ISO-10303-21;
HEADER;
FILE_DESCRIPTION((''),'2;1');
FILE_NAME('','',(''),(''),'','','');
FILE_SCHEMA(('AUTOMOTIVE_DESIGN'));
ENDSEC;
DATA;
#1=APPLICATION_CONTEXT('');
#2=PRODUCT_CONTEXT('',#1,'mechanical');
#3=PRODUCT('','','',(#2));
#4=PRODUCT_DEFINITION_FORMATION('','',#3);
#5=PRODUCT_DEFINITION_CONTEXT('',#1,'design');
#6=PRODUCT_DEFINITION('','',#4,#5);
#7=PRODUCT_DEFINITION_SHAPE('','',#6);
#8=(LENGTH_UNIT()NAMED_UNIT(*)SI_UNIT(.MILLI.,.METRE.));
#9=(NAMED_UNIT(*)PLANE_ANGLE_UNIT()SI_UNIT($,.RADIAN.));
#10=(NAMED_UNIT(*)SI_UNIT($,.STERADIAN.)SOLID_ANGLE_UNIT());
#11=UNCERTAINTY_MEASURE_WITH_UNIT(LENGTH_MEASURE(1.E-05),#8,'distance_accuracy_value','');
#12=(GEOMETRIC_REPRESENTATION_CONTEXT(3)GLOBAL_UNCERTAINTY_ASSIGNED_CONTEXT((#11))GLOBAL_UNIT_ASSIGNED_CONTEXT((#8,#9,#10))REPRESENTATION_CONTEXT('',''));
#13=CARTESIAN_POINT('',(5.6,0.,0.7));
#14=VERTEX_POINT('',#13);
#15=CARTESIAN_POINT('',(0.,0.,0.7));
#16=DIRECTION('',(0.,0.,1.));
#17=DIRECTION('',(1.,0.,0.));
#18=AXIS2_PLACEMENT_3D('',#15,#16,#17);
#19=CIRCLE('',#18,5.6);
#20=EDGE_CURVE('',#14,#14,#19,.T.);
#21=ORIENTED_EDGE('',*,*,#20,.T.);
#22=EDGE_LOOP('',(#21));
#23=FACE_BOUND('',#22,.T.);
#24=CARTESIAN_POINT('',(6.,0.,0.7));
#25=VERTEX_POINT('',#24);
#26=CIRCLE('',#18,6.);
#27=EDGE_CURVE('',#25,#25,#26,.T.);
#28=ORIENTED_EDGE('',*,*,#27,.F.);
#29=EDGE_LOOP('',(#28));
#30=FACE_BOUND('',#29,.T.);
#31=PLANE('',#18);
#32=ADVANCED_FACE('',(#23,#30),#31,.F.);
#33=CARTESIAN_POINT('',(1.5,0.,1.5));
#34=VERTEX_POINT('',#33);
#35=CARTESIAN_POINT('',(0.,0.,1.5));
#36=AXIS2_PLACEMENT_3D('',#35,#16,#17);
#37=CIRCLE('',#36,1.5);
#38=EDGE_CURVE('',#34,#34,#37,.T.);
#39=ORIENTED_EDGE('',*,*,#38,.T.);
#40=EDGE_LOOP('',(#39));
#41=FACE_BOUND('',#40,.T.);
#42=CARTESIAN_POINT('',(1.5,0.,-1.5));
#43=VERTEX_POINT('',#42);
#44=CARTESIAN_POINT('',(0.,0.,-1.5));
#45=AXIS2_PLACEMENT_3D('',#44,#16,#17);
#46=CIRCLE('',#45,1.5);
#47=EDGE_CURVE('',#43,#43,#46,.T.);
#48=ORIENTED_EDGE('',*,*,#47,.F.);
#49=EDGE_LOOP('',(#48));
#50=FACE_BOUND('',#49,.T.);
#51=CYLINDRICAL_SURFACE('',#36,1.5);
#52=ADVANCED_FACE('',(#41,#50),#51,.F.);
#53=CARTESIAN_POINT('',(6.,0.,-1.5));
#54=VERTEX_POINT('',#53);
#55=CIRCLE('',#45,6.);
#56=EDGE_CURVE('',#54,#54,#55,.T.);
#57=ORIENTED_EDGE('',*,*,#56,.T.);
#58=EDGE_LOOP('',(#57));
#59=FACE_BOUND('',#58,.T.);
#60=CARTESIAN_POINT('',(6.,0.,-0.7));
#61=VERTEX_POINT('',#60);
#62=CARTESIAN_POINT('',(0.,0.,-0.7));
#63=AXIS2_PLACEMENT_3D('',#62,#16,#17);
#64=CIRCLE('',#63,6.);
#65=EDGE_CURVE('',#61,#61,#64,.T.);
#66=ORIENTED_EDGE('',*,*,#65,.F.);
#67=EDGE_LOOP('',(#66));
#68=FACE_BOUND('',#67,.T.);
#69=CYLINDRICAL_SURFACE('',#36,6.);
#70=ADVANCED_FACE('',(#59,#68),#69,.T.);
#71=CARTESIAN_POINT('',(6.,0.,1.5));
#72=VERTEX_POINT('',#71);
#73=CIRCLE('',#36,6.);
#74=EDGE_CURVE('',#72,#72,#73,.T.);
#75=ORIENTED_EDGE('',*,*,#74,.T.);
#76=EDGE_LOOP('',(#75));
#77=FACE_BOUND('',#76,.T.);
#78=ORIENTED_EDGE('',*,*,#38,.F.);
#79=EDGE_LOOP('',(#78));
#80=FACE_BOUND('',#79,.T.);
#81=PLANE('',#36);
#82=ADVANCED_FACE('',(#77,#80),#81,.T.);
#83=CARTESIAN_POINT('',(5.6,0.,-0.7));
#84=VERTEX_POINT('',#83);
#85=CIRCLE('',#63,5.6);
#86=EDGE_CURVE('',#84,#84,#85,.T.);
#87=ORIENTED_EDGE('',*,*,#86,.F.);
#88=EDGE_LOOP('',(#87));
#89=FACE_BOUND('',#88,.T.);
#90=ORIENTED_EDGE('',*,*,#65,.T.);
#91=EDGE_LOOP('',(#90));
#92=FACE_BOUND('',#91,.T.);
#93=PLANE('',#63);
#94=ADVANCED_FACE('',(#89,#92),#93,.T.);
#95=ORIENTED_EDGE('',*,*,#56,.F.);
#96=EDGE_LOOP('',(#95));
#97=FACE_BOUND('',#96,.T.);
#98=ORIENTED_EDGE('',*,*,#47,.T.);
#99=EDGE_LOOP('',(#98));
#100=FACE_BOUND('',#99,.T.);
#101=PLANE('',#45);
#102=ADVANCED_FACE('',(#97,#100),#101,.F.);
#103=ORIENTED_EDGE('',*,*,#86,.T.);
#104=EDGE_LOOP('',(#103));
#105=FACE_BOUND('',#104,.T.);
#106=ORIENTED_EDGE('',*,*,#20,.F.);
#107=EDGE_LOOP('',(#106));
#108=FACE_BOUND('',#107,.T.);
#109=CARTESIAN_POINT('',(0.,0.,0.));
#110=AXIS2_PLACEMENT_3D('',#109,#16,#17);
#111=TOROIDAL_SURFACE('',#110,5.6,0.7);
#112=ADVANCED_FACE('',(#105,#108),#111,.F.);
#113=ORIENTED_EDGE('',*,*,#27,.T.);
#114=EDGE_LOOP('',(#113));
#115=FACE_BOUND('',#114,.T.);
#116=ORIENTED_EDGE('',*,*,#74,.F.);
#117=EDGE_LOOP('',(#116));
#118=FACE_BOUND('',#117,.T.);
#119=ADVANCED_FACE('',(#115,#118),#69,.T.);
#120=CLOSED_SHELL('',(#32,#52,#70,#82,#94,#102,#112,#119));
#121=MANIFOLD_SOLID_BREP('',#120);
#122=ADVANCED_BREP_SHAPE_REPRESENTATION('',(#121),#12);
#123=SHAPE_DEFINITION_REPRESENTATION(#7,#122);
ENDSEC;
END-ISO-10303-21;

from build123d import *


with BuildPart() as part:
    # Sketch1 → Revolve1 (revolve)
    with BuildSketch(Plane(origin=(0, 0, 0), x_dir=(0, 0, -1), z_dir=(1, 0, 0)), mode=Mode.PRIVATE) as revolve1_sk:
        with BuildLine():
            ThreePointArc((0.7, 5.6), (0, 4.9), (-0.7, 5.6))
            Line((-0.7, 5.6), (-0.7, 6))
            Line((-0.7, 6), (-1.5, 6))
            Line((-1.5, 6), (-1.5, 1.5))
            Line((-1.5, 1.5), (1.5, 1.5))
            Line((1.5, 1.5), (1.5, 6))
            Line((1.5, 6), (0.7, 6))
            Line((0.7, 6), (0.7, 5.6))
        make_face()
    revolve(revolve1_sk.sketch.rotate(Axis((0, 0, 1.5), (0, 0, -1)), 90), axis=Axis((0, 0, 1.5), (0, 0, -1)))


solid = part.part
